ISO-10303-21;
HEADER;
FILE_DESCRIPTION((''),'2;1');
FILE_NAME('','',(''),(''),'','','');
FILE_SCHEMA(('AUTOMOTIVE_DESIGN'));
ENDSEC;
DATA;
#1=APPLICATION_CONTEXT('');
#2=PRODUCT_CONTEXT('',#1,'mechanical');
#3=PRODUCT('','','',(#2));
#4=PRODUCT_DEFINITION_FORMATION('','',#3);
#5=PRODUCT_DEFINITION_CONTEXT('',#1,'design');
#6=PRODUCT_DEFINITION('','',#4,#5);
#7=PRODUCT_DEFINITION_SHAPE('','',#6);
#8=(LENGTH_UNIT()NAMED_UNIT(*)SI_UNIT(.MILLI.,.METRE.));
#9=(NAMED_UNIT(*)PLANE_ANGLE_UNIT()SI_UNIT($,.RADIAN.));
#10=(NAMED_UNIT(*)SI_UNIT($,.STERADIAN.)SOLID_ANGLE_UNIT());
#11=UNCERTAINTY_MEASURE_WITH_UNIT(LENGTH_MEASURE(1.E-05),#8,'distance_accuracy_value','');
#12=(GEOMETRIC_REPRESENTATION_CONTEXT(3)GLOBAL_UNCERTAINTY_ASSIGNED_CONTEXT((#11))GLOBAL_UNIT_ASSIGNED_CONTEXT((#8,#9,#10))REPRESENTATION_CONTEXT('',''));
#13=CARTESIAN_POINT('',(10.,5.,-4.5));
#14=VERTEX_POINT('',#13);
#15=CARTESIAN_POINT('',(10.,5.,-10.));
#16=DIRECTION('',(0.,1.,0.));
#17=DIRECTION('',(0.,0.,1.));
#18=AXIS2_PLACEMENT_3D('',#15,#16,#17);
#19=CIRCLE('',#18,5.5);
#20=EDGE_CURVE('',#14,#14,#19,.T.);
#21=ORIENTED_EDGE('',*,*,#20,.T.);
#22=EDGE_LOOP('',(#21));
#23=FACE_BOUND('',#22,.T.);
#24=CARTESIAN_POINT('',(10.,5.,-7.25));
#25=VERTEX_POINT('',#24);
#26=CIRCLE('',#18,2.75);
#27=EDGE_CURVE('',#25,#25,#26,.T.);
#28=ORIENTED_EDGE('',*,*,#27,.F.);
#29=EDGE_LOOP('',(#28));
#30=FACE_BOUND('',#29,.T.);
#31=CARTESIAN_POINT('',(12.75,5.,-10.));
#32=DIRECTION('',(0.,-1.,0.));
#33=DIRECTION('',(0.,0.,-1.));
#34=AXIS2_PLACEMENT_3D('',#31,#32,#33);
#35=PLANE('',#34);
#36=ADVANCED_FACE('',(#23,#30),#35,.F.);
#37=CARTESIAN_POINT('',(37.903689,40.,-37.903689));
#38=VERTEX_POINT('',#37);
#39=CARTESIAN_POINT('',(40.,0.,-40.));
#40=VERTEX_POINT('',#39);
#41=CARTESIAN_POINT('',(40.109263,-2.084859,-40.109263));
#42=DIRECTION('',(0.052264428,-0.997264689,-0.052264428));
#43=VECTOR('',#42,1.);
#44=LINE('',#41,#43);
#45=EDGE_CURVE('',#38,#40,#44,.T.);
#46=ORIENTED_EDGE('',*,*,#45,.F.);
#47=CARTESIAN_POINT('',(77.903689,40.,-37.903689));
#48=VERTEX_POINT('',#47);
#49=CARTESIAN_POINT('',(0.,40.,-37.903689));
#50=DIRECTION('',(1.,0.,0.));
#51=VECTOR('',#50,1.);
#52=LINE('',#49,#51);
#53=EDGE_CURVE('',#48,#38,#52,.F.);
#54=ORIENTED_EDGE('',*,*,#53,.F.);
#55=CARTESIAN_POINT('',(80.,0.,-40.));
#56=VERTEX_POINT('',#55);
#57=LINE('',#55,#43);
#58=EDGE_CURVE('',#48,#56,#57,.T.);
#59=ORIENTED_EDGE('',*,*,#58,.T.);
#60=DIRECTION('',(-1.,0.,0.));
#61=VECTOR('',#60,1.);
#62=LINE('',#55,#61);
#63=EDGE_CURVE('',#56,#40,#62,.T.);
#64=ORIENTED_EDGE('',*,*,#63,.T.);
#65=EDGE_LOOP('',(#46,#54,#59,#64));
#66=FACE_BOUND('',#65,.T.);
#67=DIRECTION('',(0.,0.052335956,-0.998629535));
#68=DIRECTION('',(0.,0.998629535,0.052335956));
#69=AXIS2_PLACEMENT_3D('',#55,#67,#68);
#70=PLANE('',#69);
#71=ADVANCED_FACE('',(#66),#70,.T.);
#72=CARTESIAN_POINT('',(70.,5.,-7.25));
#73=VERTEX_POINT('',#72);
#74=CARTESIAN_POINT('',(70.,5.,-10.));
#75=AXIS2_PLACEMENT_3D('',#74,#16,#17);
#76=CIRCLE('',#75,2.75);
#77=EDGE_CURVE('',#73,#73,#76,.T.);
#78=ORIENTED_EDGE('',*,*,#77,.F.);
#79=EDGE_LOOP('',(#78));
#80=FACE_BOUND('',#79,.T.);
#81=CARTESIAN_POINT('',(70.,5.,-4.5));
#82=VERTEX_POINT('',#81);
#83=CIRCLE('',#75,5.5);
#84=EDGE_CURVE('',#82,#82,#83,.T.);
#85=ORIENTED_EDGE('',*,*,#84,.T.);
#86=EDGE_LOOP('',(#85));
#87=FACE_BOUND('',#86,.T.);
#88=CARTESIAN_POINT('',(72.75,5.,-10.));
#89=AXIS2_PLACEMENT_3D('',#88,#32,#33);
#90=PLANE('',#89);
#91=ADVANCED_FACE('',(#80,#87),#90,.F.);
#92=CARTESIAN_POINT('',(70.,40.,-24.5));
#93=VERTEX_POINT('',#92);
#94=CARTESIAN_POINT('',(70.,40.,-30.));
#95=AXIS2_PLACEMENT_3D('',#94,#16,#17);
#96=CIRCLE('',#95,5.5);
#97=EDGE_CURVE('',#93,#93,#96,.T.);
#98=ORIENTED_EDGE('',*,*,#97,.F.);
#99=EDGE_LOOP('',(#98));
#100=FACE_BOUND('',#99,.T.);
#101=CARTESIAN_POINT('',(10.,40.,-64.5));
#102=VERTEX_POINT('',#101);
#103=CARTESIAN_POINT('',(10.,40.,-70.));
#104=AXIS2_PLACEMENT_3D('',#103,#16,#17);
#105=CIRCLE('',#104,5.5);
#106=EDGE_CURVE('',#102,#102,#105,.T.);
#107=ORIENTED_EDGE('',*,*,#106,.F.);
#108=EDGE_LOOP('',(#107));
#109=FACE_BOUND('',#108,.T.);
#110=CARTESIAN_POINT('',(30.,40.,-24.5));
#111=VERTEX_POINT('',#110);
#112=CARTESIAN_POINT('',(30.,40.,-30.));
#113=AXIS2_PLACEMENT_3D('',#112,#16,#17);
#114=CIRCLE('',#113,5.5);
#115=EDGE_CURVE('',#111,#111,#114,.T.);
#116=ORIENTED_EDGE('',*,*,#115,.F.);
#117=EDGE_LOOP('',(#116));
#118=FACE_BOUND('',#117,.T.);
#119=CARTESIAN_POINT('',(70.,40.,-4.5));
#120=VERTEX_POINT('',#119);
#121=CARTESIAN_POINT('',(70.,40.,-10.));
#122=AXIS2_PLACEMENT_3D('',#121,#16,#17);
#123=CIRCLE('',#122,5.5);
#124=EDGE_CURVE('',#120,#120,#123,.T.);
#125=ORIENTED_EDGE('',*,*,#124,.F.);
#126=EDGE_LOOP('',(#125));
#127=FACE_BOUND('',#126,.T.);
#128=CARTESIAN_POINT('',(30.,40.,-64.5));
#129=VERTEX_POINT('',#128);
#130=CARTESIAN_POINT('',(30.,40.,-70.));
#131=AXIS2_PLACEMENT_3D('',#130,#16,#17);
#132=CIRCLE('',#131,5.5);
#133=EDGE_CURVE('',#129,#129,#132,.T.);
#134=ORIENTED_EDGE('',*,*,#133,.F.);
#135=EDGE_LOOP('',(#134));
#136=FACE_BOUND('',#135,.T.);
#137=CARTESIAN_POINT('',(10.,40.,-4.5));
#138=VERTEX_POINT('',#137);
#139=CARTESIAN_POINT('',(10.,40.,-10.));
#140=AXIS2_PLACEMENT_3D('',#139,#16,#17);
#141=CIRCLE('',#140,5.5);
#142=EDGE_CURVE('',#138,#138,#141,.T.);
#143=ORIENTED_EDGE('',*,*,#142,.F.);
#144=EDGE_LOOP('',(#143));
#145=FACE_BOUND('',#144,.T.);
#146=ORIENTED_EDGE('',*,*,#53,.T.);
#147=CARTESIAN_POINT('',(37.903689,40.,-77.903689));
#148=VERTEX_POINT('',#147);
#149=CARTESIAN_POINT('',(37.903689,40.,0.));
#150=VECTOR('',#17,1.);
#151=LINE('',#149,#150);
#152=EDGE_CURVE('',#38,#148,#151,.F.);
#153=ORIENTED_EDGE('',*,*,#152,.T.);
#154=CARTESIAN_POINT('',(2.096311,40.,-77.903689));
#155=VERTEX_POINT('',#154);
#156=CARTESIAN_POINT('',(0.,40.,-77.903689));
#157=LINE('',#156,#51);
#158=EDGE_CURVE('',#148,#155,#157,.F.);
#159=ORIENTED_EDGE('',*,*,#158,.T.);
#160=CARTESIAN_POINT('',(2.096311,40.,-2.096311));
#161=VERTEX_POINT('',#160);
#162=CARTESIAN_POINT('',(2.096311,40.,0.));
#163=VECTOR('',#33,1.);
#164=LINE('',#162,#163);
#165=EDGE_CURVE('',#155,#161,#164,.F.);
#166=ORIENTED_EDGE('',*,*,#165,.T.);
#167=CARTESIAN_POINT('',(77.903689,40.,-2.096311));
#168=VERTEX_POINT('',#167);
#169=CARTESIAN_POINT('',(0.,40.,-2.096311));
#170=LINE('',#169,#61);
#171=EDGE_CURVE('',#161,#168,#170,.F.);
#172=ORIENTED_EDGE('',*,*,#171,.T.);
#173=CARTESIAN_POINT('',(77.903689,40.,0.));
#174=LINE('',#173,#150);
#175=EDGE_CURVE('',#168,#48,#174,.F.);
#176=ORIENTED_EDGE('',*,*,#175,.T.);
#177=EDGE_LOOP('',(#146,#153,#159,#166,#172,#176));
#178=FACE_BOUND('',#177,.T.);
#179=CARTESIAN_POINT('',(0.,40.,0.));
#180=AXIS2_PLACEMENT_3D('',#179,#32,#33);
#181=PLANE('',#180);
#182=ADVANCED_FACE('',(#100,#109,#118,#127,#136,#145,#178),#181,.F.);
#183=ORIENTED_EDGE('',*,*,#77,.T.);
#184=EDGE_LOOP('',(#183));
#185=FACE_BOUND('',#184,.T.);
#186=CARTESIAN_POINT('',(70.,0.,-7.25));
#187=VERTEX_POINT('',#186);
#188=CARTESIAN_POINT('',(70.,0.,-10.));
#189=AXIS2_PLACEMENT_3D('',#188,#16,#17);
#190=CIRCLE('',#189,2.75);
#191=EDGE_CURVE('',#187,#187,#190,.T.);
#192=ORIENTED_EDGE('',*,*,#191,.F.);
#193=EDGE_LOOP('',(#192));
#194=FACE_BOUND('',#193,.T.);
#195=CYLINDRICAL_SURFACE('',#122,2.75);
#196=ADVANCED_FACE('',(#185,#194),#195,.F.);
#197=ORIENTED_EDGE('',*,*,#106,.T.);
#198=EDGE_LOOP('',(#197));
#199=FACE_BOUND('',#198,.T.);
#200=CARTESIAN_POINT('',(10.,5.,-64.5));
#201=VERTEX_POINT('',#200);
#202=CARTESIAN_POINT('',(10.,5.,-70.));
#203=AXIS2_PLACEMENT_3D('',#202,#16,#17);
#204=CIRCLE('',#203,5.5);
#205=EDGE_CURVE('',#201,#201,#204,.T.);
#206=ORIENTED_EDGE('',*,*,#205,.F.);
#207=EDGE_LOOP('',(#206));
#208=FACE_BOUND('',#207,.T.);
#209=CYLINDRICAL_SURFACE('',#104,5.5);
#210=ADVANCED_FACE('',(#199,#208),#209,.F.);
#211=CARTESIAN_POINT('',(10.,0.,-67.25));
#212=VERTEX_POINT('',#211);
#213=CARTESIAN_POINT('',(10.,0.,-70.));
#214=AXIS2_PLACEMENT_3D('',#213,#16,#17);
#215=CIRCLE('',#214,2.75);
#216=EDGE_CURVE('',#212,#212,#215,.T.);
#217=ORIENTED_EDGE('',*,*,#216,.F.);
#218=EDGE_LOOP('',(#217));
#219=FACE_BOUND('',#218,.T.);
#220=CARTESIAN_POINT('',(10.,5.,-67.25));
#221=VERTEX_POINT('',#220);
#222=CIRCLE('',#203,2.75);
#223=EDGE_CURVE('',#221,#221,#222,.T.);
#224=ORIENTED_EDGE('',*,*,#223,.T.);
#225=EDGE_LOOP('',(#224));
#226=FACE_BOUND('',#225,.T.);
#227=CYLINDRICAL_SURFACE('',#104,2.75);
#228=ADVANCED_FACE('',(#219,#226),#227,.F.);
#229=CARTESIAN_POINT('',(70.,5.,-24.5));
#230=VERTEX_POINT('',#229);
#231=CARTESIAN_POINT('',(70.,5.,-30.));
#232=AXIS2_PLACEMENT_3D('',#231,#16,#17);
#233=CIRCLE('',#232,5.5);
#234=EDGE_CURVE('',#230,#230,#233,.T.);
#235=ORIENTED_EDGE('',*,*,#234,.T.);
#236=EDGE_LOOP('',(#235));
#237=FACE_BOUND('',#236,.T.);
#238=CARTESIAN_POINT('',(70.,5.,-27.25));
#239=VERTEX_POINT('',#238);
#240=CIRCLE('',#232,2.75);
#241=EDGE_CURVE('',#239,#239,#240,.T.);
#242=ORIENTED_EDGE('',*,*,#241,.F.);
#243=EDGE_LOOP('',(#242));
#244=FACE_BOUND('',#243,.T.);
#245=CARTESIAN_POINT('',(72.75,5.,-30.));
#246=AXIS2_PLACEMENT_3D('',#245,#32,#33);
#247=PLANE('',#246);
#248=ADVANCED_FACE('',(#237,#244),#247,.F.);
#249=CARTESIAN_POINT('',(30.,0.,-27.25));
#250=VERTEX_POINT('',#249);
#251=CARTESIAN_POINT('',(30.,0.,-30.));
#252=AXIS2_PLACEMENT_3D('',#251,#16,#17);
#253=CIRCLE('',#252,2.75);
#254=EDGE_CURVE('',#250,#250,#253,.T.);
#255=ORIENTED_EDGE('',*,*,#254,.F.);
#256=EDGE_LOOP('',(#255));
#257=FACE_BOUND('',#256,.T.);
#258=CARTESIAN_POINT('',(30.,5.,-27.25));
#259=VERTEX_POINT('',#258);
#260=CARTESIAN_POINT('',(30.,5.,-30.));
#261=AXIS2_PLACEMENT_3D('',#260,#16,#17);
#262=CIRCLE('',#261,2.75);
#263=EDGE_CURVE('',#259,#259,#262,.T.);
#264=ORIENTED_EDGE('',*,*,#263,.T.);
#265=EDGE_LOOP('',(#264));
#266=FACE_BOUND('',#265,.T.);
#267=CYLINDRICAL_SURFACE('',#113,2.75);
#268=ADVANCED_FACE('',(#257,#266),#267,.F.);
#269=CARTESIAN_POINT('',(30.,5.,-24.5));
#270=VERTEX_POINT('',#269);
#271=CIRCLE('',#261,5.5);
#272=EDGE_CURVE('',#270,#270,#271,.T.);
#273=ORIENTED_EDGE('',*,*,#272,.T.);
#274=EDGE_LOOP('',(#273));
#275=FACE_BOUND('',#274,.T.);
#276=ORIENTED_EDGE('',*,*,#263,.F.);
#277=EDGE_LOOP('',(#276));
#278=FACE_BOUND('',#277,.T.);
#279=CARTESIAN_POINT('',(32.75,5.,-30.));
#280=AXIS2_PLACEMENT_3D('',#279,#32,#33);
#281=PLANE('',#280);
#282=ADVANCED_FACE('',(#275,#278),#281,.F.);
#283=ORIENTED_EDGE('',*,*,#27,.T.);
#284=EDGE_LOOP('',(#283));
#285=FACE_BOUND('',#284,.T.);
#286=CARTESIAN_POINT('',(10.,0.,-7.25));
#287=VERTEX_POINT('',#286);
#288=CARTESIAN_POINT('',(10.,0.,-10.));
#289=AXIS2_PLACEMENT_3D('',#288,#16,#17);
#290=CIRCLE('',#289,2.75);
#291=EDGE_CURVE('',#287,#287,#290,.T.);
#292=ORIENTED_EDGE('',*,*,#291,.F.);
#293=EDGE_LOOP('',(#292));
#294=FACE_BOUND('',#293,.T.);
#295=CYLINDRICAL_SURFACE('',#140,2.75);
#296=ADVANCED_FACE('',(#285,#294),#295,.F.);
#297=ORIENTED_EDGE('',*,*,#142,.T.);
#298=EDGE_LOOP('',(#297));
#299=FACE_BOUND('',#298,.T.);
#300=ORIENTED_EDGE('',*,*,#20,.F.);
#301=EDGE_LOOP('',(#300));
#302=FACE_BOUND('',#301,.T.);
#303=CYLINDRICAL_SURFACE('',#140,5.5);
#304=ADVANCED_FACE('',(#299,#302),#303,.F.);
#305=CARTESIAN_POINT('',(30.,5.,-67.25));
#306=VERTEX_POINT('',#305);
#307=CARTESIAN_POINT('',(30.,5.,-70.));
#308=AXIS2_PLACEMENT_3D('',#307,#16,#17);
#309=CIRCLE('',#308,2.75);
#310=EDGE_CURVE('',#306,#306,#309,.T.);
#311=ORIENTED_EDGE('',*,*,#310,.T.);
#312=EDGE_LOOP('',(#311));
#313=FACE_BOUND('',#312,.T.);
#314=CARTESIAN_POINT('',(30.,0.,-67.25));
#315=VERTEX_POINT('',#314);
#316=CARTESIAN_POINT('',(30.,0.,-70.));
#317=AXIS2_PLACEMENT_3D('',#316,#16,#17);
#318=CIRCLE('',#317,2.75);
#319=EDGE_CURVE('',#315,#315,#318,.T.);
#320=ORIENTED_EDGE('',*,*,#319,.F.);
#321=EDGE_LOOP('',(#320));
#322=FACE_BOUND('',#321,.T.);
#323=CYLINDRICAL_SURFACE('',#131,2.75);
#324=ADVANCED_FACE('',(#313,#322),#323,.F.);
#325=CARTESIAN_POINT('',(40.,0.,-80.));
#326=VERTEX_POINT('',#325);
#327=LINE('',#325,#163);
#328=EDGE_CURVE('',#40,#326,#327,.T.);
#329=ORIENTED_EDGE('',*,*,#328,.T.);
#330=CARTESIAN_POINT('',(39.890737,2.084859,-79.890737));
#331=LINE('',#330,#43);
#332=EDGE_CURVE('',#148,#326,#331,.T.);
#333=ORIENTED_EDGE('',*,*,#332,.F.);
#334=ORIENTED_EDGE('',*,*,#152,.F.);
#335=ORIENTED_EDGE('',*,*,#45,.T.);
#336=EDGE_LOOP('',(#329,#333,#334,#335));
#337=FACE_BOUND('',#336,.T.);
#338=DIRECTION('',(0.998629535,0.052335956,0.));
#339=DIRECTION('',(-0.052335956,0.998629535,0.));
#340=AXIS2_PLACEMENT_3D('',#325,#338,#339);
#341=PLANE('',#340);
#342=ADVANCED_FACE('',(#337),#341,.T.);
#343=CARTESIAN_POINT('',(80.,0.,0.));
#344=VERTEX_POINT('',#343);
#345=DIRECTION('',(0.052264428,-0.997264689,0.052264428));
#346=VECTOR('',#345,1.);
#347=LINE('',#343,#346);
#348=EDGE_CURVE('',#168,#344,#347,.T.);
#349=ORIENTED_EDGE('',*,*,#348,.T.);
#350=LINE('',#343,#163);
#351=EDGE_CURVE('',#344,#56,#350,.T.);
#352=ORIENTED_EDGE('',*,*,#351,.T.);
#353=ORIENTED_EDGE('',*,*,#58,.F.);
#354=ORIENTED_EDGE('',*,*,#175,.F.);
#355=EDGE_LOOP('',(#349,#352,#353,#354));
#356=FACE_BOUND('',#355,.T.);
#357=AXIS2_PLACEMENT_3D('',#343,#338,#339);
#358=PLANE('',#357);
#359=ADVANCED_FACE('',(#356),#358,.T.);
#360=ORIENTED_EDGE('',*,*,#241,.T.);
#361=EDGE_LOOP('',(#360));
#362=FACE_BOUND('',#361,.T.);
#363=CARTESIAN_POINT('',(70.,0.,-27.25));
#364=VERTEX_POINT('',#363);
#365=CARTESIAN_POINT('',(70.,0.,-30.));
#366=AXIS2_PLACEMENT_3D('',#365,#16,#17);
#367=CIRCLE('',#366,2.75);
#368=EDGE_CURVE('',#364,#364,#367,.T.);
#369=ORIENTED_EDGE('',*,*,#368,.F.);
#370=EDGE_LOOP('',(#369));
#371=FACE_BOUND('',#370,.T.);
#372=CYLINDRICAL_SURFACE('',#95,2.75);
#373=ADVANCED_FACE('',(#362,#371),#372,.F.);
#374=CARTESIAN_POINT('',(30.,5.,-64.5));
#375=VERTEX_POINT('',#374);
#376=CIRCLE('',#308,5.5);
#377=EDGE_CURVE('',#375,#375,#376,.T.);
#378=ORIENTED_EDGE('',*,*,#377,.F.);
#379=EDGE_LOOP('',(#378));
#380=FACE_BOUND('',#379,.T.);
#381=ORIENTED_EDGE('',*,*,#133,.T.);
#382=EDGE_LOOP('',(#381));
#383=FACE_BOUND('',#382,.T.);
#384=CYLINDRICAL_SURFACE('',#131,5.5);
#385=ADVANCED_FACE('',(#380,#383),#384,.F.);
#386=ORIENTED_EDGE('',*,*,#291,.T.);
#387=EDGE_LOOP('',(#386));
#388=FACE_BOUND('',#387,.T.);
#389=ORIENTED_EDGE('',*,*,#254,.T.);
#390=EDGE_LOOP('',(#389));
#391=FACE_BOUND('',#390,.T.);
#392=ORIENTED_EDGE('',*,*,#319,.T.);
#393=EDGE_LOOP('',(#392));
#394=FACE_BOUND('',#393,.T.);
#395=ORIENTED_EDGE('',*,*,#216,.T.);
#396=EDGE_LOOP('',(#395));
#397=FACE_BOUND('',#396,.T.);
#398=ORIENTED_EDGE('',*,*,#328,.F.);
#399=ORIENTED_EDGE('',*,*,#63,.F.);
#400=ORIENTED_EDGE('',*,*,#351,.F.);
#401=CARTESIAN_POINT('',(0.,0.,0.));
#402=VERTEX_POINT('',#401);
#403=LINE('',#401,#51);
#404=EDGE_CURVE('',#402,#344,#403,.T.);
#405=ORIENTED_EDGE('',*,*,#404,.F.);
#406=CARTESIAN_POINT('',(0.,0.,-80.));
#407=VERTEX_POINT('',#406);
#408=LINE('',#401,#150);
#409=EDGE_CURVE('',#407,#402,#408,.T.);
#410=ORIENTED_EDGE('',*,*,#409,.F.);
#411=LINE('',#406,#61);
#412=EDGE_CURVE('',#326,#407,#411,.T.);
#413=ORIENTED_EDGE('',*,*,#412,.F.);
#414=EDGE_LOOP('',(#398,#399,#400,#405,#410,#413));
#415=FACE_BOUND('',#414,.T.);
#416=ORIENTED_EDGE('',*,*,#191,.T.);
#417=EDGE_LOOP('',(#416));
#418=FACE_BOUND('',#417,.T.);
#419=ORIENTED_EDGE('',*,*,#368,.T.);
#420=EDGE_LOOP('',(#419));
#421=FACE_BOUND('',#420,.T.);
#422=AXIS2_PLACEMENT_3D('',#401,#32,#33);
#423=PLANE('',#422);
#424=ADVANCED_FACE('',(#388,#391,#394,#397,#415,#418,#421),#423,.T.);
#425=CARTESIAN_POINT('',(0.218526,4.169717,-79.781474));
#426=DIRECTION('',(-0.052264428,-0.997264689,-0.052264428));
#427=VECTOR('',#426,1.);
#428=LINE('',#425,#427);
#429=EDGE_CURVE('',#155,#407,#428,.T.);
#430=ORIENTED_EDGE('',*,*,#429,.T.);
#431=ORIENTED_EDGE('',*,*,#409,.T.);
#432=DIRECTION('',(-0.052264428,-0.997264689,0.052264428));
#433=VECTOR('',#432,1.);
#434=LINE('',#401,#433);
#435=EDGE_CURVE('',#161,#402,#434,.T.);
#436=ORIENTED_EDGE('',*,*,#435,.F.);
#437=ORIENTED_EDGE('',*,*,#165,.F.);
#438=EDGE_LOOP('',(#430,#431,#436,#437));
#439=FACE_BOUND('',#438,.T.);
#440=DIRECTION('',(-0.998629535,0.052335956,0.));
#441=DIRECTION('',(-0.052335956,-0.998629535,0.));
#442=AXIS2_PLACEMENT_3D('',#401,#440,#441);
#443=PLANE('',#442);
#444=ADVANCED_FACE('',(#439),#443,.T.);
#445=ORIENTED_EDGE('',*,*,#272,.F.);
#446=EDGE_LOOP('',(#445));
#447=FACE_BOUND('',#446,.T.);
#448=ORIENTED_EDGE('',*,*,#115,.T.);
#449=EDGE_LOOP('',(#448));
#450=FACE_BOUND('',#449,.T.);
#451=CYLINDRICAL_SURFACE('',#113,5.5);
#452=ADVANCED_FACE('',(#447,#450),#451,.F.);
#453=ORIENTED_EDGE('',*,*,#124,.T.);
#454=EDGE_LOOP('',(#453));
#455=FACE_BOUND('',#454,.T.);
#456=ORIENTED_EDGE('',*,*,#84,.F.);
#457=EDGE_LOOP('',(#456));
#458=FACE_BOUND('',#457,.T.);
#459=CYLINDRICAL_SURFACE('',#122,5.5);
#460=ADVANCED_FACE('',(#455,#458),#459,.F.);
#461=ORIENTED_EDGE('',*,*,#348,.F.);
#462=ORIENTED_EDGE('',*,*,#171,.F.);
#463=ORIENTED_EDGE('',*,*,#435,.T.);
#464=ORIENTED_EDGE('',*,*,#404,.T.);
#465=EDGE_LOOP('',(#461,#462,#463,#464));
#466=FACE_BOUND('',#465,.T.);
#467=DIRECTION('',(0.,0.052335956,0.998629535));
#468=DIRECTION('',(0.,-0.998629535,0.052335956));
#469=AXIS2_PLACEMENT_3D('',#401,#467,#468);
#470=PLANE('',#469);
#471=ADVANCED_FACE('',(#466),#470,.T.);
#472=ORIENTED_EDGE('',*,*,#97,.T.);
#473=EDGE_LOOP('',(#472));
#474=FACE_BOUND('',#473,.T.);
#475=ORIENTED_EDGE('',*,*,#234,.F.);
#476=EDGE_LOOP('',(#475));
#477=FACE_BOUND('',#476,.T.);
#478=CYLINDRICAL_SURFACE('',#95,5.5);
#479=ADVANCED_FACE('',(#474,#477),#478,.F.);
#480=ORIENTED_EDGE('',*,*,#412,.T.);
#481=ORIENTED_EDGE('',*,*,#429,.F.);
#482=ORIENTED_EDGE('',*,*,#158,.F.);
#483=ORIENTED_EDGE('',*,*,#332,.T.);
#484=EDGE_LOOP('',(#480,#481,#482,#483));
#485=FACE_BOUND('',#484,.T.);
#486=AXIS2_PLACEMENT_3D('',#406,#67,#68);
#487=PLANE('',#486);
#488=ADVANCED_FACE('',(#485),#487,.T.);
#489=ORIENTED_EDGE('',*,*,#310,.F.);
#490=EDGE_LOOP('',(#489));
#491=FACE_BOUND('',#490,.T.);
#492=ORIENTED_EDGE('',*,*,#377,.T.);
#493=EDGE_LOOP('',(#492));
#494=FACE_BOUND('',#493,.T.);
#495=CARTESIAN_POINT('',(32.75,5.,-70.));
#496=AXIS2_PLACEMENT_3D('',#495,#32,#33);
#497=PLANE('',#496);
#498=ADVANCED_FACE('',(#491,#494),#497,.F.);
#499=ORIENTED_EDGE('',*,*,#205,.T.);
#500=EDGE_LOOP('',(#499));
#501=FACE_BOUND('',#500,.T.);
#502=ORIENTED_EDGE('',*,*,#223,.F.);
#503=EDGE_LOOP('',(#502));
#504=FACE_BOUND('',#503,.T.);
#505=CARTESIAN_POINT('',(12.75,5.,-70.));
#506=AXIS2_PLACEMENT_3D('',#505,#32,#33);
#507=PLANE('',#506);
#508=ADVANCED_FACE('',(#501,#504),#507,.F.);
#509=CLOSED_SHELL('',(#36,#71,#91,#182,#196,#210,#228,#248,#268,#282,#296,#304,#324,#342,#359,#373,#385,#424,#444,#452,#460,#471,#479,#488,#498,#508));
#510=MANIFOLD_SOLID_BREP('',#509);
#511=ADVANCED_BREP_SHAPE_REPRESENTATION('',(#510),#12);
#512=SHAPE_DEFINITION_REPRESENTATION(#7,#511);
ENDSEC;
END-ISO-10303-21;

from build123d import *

# Parameters (mm, degrees)
BOSS_EXTRUDE1_DEPTH             = 40
BOSS_EXTRUDE1_TAPER             = 3
CBORE_FOR_M5_SBHCS1_D           = 5.5
CBORE_FOR_M5_SBHCS1_CBORE_D     = 11
CBORE_FOR_M5_SBHCS1_CBORE_DEPTH = 35


with BuildPart() as part:
    # Sketch1 → Boss-Extrude1 (new body)
    with BuildSketch(Plane(origin=(0, 0, 0), x_dir=(1, 0, 0), z_dir=(0, 1, 0))):
        Polygon((0, 0), (80, 0), (80, 40), (40, 40), (40, 80), (0, 80), align=None)
    extrude(amount=BOSS_EXTRUDE1_DEPTH, taper=BOSS_EXTRUDE1_TAPER)

    # CBORE for M5 SBHCS1 (through all)
    with Locations(Plane(origin=(0, 40, 0), x_dir=(1, 0, 0), z_dir=(0, 1, 0))):
        with Locations((10, 70), (30, 70), (70, 30), (70, 10), (30, 30), (10, 10)):
            CounterBoreHole(CBORE_FOR_M5_SBHCS1_D / 2, CBORE_FOR_M5_SBHCS1_CBORE_D / 2, CBORE_FOR_M5_SBHCS1_CBORE_DEPTH)


solid = part.part
